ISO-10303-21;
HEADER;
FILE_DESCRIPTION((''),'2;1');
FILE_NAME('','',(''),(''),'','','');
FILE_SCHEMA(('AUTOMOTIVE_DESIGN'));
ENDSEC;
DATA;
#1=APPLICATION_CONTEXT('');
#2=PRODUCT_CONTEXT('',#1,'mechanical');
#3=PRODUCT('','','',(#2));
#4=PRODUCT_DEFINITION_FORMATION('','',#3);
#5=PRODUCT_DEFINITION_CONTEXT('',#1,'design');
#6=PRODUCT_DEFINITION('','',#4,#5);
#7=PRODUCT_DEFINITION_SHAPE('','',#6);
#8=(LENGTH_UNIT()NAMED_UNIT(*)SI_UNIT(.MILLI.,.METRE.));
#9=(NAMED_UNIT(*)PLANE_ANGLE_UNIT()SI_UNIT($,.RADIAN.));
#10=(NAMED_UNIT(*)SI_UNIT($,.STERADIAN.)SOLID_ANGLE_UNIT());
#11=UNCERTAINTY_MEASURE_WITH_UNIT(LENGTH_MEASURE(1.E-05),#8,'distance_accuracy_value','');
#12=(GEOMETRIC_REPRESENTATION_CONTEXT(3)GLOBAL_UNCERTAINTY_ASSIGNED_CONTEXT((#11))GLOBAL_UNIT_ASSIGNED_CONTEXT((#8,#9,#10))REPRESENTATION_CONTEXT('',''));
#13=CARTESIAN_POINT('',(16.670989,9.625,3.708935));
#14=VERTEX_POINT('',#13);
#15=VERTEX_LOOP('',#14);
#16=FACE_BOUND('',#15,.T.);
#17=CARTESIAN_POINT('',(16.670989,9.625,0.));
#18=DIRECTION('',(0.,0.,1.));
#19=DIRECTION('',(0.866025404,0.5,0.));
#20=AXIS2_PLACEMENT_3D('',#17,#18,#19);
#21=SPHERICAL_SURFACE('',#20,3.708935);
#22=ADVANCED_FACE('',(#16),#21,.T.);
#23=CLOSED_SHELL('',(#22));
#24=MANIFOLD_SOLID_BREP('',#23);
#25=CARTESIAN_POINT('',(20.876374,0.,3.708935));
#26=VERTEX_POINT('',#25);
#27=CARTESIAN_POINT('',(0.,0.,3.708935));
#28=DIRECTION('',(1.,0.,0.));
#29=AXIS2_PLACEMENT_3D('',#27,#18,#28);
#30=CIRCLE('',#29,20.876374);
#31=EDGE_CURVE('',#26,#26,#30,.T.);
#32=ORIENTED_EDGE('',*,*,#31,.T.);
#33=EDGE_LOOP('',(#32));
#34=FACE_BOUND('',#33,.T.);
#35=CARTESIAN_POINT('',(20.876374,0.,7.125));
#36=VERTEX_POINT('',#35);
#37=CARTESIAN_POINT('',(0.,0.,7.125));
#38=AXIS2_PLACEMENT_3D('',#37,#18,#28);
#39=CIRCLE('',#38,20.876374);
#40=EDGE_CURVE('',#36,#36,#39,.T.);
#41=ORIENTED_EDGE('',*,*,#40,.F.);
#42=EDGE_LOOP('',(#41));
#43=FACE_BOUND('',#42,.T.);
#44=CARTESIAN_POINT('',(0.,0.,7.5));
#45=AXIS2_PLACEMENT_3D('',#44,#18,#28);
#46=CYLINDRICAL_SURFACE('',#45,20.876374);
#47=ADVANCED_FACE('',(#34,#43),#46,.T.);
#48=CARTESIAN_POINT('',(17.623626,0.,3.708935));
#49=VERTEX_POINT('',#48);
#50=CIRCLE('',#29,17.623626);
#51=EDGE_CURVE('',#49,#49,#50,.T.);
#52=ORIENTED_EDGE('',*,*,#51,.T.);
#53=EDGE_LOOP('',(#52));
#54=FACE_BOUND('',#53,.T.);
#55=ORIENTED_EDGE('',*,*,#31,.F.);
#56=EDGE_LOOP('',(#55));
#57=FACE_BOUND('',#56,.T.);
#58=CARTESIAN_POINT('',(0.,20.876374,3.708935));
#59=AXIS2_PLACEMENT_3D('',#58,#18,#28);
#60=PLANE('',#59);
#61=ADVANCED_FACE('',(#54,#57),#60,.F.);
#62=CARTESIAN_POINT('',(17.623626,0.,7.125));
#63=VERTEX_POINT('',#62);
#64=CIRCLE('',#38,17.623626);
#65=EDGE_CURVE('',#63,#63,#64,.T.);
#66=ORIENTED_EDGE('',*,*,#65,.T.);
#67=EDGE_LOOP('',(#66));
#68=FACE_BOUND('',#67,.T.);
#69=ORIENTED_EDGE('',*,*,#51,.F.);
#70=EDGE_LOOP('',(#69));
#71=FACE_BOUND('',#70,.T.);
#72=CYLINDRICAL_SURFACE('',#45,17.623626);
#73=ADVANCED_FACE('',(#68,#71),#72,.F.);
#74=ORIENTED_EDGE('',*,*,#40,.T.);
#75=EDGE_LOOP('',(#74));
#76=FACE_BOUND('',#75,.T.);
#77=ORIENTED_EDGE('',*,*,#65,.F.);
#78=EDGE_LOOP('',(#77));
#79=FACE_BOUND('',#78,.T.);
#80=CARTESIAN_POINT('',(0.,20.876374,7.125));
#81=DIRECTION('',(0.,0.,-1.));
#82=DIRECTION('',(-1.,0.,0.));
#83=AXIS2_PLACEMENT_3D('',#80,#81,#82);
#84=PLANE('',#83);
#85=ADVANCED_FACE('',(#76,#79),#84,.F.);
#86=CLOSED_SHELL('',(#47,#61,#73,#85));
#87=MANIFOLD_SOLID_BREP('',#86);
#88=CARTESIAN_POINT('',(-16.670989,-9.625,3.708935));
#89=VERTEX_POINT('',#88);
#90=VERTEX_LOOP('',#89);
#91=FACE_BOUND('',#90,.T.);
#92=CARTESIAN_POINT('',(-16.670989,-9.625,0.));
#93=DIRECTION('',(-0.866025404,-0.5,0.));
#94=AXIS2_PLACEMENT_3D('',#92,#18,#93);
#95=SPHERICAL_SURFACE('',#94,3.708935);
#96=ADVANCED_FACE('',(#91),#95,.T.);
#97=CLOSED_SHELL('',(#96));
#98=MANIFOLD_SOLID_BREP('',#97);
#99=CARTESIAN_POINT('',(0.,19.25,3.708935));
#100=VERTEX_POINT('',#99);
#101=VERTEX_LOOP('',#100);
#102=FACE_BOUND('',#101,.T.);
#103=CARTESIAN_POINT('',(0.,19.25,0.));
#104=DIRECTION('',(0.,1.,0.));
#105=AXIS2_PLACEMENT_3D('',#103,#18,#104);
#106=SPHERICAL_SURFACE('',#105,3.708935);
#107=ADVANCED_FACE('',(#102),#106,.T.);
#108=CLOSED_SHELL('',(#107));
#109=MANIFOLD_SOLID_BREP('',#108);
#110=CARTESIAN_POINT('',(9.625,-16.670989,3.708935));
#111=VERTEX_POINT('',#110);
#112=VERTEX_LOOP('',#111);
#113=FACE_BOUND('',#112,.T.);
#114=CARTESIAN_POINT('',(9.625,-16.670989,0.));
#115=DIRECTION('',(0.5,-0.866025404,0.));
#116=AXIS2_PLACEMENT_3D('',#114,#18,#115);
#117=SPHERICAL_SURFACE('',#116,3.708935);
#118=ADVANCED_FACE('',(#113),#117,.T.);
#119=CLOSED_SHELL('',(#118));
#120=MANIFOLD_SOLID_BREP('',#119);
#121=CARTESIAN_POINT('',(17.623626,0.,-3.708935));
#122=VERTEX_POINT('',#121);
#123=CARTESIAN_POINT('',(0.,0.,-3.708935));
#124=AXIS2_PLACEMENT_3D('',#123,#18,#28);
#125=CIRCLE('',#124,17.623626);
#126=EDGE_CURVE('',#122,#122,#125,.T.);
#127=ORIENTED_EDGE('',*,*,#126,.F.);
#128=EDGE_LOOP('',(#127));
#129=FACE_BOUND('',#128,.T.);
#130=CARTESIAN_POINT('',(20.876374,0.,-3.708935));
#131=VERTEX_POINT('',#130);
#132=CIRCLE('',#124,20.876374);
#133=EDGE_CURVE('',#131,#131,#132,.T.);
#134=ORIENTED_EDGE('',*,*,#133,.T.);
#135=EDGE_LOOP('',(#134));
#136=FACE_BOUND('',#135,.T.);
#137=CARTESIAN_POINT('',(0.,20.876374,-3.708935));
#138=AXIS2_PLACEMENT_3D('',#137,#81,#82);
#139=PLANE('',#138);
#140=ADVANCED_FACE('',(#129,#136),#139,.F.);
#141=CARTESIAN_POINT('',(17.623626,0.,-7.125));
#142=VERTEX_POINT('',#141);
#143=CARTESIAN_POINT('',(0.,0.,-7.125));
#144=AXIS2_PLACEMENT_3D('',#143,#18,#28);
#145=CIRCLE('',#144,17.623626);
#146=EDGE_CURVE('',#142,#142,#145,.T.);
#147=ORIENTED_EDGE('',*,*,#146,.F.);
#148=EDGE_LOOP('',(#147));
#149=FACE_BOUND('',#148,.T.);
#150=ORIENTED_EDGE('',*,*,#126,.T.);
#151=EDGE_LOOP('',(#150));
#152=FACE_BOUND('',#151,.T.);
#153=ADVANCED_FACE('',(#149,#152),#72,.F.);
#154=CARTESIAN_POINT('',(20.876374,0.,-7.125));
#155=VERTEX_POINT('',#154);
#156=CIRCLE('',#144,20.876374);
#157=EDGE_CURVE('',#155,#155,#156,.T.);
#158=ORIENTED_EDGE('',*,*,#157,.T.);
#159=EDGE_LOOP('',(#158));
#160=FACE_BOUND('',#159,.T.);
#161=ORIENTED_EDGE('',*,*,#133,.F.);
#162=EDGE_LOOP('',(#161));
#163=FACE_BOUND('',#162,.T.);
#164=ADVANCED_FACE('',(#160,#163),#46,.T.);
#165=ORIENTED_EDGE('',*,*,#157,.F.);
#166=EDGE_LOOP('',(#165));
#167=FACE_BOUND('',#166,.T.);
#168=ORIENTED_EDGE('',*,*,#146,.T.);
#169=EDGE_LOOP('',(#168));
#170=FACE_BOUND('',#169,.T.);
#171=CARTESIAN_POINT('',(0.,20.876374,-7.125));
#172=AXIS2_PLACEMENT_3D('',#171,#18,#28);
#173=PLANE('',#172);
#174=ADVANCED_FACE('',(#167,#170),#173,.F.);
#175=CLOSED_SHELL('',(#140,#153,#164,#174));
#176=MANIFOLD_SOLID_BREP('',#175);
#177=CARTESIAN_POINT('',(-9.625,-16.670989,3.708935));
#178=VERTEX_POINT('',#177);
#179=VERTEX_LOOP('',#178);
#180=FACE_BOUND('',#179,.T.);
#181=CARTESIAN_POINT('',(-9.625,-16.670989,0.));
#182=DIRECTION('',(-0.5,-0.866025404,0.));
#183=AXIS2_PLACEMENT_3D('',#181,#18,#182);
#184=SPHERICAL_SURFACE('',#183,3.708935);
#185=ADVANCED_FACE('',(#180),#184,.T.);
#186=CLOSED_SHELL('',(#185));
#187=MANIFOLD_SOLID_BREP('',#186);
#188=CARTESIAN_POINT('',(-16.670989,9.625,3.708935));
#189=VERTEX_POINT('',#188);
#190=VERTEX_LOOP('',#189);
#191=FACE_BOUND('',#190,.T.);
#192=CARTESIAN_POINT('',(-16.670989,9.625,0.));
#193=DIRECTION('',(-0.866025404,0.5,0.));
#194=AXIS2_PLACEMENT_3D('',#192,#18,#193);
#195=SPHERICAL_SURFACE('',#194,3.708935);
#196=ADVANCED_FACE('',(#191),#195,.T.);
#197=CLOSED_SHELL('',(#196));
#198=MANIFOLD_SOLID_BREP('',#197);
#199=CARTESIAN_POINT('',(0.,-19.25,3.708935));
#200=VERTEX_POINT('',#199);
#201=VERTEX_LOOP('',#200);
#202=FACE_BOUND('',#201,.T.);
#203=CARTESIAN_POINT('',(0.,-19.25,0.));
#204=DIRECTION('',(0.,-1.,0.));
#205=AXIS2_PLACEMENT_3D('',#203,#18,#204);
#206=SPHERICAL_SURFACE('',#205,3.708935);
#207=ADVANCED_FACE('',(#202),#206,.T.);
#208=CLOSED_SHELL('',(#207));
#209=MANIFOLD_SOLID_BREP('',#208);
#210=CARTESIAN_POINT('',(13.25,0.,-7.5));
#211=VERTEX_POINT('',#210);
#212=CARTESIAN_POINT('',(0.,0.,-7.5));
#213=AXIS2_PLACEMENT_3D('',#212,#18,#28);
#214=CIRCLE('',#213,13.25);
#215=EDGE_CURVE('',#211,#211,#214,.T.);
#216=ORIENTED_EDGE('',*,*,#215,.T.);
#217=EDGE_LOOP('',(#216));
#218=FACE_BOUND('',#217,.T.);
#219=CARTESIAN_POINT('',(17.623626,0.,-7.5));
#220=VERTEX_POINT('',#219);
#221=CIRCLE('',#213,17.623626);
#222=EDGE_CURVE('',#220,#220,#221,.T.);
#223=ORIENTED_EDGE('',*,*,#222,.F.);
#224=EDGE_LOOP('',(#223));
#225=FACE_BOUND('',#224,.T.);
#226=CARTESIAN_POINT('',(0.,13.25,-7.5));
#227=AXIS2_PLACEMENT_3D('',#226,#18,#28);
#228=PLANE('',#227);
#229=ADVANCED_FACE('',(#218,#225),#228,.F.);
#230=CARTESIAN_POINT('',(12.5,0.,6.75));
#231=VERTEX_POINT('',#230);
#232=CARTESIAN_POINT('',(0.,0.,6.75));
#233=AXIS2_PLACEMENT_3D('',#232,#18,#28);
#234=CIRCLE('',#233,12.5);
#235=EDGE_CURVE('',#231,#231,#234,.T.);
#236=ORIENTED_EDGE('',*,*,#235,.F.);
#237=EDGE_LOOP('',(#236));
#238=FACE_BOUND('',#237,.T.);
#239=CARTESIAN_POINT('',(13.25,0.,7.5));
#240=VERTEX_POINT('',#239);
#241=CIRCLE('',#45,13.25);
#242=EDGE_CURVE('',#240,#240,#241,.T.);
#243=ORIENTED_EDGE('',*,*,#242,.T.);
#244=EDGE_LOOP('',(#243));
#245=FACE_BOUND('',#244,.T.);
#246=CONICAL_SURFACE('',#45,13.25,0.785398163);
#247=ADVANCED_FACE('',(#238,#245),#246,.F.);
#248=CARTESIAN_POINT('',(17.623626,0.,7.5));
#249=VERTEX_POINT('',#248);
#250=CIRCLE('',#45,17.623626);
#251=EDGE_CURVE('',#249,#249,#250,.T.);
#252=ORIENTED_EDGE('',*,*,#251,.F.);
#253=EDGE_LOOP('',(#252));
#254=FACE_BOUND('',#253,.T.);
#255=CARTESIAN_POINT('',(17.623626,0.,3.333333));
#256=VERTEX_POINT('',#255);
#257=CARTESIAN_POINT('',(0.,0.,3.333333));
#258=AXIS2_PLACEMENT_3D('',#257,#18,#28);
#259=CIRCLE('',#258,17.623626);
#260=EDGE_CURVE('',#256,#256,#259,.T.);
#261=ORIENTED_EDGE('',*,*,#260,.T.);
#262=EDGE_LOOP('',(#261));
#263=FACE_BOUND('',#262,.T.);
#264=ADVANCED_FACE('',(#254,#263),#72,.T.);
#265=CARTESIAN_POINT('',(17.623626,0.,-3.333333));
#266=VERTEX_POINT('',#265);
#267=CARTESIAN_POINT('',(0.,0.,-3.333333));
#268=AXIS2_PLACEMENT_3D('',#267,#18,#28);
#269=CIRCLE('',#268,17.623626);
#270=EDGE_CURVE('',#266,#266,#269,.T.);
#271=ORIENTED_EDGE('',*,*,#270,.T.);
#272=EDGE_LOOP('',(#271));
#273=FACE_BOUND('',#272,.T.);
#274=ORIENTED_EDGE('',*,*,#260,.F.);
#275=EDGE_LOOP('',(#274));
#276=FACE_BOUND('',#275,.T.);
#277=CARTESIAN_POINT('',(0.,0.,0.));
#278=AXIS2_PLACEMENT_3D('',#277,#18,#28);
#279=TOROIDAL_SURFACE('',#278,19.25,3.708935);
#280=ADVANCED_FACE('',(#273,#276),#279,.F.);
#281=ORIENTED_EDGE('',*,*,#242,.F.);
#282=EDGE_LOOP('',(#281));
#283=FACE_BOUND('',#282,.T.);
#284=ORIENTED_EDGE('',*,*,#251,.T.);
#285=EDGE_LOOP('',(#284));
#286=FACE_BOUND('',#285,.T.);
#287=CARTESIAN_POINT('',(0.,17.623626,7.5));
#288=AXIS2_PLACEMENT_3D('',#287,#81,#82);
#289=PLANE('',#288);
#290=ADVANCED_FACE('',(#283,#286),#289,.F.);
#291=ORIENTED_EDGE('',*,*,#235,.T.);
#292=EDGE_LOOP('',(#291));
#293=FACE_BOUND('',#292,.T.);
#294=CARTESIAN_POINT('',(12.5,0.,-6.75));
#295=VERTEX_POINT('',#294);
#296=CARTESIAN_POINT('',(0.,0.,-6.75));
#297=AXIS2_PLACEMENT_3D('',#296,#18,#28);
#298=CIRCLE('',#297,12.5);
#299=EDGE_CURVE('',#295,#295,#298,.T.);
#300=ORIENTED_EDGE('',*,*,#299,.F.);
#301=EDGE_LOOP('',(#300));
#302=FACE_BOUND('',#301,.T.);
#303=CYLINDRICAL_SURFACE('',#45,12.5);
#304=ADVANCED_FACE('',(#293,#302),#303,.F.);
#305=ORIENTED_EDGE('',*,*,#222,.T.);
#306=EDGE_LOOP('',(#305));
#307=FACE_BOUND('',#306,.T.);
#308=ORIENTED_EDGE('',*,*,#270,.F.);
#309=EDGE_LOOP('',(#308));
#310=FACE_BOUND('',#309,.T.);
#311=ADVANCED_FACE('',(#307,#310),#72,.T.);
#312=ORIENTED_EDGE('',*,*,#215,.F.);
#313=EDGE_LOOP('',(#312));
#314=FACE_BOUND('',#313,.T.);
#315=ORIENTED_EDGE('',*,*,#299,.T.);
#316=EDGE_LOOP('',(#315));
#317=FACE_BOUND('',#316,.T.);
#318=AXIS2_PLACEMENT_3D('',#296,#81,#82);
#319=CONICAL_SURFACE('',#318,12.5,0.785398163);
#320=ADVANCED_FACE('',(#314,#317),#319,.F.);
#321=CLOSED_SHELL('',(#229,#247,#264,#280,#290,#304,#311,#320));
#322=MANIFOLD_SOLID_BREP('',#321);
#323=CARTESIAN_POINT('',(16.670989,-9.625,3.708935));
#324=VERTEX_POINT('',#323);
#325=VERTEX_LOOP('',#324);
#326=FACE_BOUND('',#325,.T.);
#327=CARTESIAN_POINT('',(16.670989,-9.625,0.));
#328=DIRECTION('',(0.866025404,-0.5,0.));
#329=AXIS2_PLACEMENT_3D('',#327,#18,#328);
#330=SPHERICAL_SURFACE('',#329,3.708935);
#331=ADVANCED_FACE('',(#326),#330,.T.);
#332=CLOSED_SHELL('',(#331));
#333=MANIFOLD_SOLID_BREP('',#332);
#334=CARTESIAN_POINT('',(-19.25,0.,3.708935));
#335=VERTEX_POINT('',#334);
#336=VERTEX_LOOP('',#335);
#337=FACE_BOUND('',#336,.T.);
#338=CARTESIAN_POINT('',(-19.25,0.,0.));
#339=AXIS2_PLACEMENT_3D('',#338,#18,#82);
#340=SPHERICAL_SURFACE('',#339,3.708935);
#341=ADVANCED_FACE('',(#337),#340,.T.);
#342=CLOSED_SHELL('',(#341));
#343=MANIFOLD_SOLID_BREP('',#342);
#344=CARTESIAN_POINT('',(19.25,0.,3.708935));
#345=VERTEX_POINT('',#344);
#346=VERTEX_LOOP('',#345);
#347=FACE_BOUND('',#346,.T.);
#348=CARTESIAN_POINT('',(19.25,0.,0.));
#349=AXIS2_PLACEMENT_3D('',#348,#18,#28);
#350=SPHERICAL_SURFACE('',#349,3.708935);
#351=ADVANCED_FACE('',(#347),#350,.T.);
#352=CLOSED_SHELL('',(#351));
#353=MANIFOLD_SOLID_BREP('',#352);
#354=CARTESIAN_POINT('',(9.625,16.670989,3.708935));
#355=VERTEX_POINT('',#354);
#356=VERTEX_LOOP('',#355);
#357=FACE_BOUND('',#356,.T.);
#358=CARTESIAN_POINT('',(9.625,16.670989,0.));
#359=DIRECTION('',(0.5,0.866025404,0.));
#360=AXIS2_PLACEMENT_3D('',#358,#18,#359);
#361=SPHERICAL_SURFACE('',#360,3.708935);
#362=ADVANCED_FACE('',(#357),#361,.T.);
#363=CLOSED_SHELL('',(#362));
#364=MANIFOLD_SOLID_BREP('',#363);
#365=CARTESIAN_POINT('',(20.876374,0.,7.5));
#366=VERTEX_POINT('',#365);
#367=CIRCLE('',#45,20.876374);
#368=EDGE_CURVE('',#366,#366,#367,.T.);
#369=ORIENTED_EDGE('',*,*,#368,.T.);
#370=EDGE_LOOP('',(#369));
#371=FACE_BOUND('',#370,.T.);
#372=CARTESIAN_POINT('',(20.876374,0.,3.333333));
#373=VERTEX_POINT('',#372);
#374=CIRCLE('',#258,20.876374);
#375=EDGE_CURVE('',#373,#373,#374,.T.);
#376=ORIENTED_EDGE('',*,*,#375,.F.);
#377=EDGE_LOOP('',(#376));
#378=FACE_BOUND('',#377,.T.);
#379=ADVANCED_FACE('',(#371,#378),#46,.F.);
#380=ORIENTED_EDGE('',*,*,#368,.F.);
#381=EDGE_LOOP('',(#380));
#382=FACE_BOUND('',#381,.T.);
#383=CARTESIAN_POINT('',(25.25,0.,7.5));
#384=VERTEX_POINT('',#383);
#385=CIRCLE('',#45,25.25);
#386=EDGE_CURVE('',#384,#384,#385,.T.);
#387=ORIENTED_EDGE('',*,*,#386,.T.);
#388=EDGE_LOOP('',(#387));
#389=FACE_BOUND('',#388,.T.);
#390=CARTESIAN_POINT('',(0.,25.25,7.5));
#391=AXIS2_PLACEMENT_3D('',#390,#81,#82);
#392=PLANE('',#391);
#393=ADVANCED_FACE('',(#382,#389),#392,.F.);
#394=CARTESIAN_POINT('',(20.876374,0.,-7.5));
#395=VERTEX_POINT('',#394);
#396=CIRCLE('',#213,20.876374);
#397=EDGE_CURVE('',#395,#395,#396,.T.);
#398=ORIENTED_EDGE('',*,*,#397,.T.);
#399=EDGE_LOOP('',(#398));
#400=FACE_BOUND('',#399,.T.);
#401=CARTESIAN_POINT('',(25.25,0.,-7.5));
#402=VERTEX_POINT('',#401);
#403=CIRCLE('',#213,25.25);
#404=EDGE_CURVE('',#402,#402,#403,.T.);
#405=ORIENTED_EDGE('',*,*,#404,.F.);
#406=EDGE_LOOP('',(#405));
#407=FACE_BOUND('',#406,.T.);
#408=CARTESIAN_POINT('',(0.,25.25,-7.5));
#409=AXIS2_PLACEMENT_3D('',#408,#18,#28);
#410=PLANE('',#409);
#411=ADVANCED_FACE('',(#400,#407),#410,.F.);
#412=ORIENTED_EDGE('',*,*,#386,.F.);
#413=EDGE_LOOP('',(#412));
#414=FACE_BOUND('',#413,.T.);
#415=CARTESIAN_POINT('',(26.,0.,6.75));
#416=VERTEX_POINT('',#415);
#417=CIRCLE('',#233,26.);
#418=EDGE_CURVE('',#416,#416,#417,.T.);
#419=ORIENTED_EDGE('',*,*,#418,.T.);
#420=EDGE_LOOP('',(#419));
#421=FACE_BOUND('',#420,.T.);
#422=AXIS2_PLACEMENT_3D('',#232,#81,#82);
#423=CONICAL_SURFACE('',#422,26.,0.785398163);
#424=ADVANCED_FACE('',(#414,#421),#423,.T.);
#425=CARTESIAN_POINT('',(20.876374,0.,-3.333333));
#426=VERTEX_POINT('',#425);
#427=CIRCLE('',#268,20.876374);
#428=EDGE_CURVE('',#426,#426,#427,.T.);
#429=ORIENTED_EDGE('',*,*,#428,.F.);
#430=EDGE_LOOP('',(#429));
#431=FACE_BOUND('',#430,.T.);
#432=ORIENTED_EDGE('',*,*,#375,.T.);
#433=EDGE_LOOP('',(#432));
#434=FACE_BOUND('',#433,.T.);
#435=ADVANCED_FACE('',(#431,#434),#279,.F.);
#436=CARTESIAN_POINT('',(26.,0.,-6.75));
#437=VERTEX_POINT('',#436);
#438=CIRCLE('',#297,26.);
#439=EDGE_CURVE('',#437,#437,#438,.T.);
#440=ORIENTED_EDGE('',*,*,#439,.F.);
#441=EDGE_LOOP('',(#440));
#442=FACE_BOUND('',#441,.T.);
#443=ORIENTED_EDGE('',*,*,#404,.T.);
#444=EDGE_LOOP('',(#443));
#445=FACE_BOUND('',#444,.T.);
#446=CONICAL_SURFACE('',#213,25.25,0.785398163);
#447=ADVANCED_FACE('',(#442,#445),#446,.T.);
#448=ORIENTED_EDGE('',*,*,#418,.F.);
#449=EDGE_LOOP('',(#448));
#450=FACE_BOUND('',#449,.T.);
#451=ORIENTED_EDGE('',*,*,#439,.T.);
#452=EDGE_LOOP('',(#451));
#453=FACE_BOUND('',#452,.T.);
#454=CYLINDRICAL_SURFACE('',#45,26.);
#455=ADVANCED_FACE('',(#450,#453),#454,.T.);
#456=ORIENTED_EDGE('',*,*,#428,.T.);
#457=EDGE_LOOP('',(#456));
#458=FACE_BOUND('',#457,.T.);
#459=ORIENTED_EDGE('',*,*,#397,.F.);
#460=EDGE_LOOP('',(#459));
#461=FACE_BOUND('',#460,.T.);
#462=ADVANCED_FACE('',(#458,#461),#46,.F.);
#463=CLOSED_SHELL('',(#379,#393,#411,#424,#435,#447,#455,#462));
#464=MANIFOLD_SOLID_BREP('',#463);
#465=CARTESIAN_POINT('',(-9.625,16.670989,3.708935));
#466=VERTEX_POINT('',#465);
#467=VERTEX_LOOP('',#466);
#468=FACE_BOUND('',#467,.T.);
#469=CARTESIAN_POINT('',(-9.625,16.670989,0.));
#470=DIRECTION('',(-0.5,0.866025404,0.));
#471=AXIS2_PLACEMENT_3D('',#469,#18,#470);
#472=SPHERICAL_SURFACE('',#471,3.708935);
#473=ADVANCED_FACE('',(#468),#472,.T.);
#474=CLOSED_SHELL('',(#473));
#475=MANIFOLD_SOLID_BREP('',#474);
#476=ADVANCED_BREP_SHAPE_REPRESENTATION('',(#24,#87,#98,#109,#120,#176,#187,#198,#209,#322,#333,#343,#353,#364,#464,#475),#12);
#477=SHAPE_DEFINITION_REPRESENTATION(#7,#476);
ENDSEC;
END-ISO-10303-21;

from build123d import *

# Parameters (mm, degrees)
CIRPATTERN1_COUNT = 12
SKETCH5_W         = 3.416064535
SKETCH5_H         = 3.252747252


with BuildPart() as part:
    # Sketch1 → Revolve1 (revolve)
    with BuildSketch(Plane(origin=(0, 0, 0), x_dir=(0, 0, -1), z_dir=(1, 0, 0))):
        with BuildLine():
            Line((6.75, 26), (-6.75, 26))
            Line((-6.75, 26), (-7.5, 25.25))
            Line((-7.5, 25.25), (-7.5, 20.876373626))
            Line((-7.5, 20.876373626), (-3.333333333, 20.876373626))
            ThreePointArc((-3.333333333, 20.876373626), (0, 22.958935465), (3.333333333, 20.876373626))
            Line((3.333333333, 20.876373626), (7.5, 20.876373626))
            Line((7.5, 20.876373626), (7.5, 25.25))
            Line((7.5, 25.25), (6.75, 26))
        make_face()
    revolve(axis=Axis((0, 0, 7.5), (0, 0, -1)))


with BuildPart() as body_2:
    # Sketch3 → Revolve3 (revolve)
    with BuildSketch(Plane(origin=(0, 0, 0), x_dir=(0, 0, -1), z_dir=(1, 0, 0))):
        with BuildLine():
            Line((-7.5, 17.623626374), (-3.333333333, 17.623626374))
            ThreePointArc((-3.333333333, 17.623626374), (0, 15.541064535), (3.333333333, 17.623626374))
            Line((3.333333333, 17.623626374), (7.5, 17.623626374))
            Line((7.5, 17.623626374), (7.5, 13.25))
            Line((7.5, 13.25), (6.75, 12.5))
            Line((6.75, 12.5), (-6.75, 12.5))
            Line((-6.75, 12.5), (-7.5, 13.25))
            Line((-7.5, 13.25), (-7.5, 17.623626374))
        make_face()
    revolve(axis=Axis((0, 0, 7.5), (0, 0, -1)))


with BuildPart() as body_3:
    # Sketch4 → Revolve4 (revolve)
    with BuildSketch(Plane(origin=(0, 0, 0), x_dir=(0, 0, -1), z_dir=(1, 0, 0))):
        with BuildLine():
            Line((-3.708935465, 19.25), (3.708935465, 19.25))
            ThreePointArc((3.708935465, 19.25), (0, 22.958935465), (-3.708935465, 19.25))
        make_face()
    revolve(axis=Axis((0, 19.25, 3.708935465), (0, 0, -1)))


with BuildPart() as cirpattern1_1:
    # CirPattern1: pattern copy
    add(body_3.part.rotate(Axis((0, 0, -7.5), (0, 0, 1)), 1 * 360 / CIRPATTERN1_COUNT))


with BuildPart() as cirpattern1_2:
    # CirPattern1: pattern copy
    add(body_3.part.rotate(Axis((0, 0, -7.5), (0, 0, 1)), 2 * 360 / CIRPATTERN1_COUNT))


with BuildPart() as cirpattern1_3:
    # CirPattern1: pattern copy
    add(body_3.part.rotate(Axis((0, 0, -7.5), (0, 0, 1)), 3 * 360 / CIRPATTERN1_COUNT))


with BuildPart() as cirpattern1_4:
    # CirPattern1: pattern copy
    add(body_3.part.rotate(Axis((0, 0, -7.5), (0, 0, 1)), 4 * 360 / CIRPATTERN1_COUNT))


with BuildPart() as cirpattern1_5:
    # CirPattern1: pattern copy
    add(body_3.part.rotate(Axis((0, 0, -7.5), (0, 0, 1)), 5 * 360 / CIRPATTERN1_COUNT))


with BuildPart() as cirpattern1_6:
    # CirPattern1: pattern copy
    add(body_3.part.rotate(Axis((0, 0, -7.5), (0, 0, 1)), 6 * 360 / CIRPATTERN1_COUNT))


with BuildPart() as cirpattern1_7:
    # CirPattern1: pattern copy
    add(body_3.part.rotate(Axis((0, 0, -7.5), (0, 0, 1)), 7 * 360 / CIRPATTERN1_COUNT))


with BuildPart() as cirpattern1_8:
    # CirPattern1: pattern copy
    add(body_3.part.rotate(Axis((0, 0, -7.5), (0, 0, 1)), 8 * 360 / CIRPATTERN1_COUNT))


with BuildPart() as cirpattern1_9:
    # CirPattern1: pattern copy
    add(body_3.part.rotate(Axis((0, 0, -7.5), (0, 0, 1)), 9 * 360 / CIRPATTERN1_COUNT))


with BuildPart() as cirpattern1_10:
    # CirPattern1: pattern copy
    add(body_3.part.rotate(Axis((0, 0, -7.5), (0, 0, 1)), 10 * 360 / CIRPATTERN1_COUNT))


with BuildPart() as cirpattern1_11:
    # CirPattern1: pattern copy
    add(body_3.part.rotate(Axis((0, 0, -7.5), (0, 0, 1)), 11 * 360 / CIRPATTERN1_COUNT))


with BuildPart() as body_15:
    # Sketch5 → Revolve5 (revolve)
    with BuildSketch(Plane(origin=(0, 0, 0), x_dir=(0, 0, -1), z_dir=(1, 0, 0))):
        with Locations((-5.416967732, 19.25)):
            Rectangle(SKETCH5_W, SKETCH5_H)
        with Locations((5.416967732, 19.25)):
            Rectangle(SKETCH5_W, SKETCH5_H)
    revolve(axis=Axis((0, 0, 7.5), (0, 0, -1)))


solid = Compound([part.part, body_2.part, body_3.part, cirpattern1_1.part, cirpattern1_2.part, cirpattern1_3.part, cirpattern1_4.part, cirpattern1_5.part, cirpattern1_6.part, cirpattern1_7.part, cirpattern1_8.part, cirpattern1_9.part, cirpattern1_10.part, cirpattern1_11.part, body_15.part])
